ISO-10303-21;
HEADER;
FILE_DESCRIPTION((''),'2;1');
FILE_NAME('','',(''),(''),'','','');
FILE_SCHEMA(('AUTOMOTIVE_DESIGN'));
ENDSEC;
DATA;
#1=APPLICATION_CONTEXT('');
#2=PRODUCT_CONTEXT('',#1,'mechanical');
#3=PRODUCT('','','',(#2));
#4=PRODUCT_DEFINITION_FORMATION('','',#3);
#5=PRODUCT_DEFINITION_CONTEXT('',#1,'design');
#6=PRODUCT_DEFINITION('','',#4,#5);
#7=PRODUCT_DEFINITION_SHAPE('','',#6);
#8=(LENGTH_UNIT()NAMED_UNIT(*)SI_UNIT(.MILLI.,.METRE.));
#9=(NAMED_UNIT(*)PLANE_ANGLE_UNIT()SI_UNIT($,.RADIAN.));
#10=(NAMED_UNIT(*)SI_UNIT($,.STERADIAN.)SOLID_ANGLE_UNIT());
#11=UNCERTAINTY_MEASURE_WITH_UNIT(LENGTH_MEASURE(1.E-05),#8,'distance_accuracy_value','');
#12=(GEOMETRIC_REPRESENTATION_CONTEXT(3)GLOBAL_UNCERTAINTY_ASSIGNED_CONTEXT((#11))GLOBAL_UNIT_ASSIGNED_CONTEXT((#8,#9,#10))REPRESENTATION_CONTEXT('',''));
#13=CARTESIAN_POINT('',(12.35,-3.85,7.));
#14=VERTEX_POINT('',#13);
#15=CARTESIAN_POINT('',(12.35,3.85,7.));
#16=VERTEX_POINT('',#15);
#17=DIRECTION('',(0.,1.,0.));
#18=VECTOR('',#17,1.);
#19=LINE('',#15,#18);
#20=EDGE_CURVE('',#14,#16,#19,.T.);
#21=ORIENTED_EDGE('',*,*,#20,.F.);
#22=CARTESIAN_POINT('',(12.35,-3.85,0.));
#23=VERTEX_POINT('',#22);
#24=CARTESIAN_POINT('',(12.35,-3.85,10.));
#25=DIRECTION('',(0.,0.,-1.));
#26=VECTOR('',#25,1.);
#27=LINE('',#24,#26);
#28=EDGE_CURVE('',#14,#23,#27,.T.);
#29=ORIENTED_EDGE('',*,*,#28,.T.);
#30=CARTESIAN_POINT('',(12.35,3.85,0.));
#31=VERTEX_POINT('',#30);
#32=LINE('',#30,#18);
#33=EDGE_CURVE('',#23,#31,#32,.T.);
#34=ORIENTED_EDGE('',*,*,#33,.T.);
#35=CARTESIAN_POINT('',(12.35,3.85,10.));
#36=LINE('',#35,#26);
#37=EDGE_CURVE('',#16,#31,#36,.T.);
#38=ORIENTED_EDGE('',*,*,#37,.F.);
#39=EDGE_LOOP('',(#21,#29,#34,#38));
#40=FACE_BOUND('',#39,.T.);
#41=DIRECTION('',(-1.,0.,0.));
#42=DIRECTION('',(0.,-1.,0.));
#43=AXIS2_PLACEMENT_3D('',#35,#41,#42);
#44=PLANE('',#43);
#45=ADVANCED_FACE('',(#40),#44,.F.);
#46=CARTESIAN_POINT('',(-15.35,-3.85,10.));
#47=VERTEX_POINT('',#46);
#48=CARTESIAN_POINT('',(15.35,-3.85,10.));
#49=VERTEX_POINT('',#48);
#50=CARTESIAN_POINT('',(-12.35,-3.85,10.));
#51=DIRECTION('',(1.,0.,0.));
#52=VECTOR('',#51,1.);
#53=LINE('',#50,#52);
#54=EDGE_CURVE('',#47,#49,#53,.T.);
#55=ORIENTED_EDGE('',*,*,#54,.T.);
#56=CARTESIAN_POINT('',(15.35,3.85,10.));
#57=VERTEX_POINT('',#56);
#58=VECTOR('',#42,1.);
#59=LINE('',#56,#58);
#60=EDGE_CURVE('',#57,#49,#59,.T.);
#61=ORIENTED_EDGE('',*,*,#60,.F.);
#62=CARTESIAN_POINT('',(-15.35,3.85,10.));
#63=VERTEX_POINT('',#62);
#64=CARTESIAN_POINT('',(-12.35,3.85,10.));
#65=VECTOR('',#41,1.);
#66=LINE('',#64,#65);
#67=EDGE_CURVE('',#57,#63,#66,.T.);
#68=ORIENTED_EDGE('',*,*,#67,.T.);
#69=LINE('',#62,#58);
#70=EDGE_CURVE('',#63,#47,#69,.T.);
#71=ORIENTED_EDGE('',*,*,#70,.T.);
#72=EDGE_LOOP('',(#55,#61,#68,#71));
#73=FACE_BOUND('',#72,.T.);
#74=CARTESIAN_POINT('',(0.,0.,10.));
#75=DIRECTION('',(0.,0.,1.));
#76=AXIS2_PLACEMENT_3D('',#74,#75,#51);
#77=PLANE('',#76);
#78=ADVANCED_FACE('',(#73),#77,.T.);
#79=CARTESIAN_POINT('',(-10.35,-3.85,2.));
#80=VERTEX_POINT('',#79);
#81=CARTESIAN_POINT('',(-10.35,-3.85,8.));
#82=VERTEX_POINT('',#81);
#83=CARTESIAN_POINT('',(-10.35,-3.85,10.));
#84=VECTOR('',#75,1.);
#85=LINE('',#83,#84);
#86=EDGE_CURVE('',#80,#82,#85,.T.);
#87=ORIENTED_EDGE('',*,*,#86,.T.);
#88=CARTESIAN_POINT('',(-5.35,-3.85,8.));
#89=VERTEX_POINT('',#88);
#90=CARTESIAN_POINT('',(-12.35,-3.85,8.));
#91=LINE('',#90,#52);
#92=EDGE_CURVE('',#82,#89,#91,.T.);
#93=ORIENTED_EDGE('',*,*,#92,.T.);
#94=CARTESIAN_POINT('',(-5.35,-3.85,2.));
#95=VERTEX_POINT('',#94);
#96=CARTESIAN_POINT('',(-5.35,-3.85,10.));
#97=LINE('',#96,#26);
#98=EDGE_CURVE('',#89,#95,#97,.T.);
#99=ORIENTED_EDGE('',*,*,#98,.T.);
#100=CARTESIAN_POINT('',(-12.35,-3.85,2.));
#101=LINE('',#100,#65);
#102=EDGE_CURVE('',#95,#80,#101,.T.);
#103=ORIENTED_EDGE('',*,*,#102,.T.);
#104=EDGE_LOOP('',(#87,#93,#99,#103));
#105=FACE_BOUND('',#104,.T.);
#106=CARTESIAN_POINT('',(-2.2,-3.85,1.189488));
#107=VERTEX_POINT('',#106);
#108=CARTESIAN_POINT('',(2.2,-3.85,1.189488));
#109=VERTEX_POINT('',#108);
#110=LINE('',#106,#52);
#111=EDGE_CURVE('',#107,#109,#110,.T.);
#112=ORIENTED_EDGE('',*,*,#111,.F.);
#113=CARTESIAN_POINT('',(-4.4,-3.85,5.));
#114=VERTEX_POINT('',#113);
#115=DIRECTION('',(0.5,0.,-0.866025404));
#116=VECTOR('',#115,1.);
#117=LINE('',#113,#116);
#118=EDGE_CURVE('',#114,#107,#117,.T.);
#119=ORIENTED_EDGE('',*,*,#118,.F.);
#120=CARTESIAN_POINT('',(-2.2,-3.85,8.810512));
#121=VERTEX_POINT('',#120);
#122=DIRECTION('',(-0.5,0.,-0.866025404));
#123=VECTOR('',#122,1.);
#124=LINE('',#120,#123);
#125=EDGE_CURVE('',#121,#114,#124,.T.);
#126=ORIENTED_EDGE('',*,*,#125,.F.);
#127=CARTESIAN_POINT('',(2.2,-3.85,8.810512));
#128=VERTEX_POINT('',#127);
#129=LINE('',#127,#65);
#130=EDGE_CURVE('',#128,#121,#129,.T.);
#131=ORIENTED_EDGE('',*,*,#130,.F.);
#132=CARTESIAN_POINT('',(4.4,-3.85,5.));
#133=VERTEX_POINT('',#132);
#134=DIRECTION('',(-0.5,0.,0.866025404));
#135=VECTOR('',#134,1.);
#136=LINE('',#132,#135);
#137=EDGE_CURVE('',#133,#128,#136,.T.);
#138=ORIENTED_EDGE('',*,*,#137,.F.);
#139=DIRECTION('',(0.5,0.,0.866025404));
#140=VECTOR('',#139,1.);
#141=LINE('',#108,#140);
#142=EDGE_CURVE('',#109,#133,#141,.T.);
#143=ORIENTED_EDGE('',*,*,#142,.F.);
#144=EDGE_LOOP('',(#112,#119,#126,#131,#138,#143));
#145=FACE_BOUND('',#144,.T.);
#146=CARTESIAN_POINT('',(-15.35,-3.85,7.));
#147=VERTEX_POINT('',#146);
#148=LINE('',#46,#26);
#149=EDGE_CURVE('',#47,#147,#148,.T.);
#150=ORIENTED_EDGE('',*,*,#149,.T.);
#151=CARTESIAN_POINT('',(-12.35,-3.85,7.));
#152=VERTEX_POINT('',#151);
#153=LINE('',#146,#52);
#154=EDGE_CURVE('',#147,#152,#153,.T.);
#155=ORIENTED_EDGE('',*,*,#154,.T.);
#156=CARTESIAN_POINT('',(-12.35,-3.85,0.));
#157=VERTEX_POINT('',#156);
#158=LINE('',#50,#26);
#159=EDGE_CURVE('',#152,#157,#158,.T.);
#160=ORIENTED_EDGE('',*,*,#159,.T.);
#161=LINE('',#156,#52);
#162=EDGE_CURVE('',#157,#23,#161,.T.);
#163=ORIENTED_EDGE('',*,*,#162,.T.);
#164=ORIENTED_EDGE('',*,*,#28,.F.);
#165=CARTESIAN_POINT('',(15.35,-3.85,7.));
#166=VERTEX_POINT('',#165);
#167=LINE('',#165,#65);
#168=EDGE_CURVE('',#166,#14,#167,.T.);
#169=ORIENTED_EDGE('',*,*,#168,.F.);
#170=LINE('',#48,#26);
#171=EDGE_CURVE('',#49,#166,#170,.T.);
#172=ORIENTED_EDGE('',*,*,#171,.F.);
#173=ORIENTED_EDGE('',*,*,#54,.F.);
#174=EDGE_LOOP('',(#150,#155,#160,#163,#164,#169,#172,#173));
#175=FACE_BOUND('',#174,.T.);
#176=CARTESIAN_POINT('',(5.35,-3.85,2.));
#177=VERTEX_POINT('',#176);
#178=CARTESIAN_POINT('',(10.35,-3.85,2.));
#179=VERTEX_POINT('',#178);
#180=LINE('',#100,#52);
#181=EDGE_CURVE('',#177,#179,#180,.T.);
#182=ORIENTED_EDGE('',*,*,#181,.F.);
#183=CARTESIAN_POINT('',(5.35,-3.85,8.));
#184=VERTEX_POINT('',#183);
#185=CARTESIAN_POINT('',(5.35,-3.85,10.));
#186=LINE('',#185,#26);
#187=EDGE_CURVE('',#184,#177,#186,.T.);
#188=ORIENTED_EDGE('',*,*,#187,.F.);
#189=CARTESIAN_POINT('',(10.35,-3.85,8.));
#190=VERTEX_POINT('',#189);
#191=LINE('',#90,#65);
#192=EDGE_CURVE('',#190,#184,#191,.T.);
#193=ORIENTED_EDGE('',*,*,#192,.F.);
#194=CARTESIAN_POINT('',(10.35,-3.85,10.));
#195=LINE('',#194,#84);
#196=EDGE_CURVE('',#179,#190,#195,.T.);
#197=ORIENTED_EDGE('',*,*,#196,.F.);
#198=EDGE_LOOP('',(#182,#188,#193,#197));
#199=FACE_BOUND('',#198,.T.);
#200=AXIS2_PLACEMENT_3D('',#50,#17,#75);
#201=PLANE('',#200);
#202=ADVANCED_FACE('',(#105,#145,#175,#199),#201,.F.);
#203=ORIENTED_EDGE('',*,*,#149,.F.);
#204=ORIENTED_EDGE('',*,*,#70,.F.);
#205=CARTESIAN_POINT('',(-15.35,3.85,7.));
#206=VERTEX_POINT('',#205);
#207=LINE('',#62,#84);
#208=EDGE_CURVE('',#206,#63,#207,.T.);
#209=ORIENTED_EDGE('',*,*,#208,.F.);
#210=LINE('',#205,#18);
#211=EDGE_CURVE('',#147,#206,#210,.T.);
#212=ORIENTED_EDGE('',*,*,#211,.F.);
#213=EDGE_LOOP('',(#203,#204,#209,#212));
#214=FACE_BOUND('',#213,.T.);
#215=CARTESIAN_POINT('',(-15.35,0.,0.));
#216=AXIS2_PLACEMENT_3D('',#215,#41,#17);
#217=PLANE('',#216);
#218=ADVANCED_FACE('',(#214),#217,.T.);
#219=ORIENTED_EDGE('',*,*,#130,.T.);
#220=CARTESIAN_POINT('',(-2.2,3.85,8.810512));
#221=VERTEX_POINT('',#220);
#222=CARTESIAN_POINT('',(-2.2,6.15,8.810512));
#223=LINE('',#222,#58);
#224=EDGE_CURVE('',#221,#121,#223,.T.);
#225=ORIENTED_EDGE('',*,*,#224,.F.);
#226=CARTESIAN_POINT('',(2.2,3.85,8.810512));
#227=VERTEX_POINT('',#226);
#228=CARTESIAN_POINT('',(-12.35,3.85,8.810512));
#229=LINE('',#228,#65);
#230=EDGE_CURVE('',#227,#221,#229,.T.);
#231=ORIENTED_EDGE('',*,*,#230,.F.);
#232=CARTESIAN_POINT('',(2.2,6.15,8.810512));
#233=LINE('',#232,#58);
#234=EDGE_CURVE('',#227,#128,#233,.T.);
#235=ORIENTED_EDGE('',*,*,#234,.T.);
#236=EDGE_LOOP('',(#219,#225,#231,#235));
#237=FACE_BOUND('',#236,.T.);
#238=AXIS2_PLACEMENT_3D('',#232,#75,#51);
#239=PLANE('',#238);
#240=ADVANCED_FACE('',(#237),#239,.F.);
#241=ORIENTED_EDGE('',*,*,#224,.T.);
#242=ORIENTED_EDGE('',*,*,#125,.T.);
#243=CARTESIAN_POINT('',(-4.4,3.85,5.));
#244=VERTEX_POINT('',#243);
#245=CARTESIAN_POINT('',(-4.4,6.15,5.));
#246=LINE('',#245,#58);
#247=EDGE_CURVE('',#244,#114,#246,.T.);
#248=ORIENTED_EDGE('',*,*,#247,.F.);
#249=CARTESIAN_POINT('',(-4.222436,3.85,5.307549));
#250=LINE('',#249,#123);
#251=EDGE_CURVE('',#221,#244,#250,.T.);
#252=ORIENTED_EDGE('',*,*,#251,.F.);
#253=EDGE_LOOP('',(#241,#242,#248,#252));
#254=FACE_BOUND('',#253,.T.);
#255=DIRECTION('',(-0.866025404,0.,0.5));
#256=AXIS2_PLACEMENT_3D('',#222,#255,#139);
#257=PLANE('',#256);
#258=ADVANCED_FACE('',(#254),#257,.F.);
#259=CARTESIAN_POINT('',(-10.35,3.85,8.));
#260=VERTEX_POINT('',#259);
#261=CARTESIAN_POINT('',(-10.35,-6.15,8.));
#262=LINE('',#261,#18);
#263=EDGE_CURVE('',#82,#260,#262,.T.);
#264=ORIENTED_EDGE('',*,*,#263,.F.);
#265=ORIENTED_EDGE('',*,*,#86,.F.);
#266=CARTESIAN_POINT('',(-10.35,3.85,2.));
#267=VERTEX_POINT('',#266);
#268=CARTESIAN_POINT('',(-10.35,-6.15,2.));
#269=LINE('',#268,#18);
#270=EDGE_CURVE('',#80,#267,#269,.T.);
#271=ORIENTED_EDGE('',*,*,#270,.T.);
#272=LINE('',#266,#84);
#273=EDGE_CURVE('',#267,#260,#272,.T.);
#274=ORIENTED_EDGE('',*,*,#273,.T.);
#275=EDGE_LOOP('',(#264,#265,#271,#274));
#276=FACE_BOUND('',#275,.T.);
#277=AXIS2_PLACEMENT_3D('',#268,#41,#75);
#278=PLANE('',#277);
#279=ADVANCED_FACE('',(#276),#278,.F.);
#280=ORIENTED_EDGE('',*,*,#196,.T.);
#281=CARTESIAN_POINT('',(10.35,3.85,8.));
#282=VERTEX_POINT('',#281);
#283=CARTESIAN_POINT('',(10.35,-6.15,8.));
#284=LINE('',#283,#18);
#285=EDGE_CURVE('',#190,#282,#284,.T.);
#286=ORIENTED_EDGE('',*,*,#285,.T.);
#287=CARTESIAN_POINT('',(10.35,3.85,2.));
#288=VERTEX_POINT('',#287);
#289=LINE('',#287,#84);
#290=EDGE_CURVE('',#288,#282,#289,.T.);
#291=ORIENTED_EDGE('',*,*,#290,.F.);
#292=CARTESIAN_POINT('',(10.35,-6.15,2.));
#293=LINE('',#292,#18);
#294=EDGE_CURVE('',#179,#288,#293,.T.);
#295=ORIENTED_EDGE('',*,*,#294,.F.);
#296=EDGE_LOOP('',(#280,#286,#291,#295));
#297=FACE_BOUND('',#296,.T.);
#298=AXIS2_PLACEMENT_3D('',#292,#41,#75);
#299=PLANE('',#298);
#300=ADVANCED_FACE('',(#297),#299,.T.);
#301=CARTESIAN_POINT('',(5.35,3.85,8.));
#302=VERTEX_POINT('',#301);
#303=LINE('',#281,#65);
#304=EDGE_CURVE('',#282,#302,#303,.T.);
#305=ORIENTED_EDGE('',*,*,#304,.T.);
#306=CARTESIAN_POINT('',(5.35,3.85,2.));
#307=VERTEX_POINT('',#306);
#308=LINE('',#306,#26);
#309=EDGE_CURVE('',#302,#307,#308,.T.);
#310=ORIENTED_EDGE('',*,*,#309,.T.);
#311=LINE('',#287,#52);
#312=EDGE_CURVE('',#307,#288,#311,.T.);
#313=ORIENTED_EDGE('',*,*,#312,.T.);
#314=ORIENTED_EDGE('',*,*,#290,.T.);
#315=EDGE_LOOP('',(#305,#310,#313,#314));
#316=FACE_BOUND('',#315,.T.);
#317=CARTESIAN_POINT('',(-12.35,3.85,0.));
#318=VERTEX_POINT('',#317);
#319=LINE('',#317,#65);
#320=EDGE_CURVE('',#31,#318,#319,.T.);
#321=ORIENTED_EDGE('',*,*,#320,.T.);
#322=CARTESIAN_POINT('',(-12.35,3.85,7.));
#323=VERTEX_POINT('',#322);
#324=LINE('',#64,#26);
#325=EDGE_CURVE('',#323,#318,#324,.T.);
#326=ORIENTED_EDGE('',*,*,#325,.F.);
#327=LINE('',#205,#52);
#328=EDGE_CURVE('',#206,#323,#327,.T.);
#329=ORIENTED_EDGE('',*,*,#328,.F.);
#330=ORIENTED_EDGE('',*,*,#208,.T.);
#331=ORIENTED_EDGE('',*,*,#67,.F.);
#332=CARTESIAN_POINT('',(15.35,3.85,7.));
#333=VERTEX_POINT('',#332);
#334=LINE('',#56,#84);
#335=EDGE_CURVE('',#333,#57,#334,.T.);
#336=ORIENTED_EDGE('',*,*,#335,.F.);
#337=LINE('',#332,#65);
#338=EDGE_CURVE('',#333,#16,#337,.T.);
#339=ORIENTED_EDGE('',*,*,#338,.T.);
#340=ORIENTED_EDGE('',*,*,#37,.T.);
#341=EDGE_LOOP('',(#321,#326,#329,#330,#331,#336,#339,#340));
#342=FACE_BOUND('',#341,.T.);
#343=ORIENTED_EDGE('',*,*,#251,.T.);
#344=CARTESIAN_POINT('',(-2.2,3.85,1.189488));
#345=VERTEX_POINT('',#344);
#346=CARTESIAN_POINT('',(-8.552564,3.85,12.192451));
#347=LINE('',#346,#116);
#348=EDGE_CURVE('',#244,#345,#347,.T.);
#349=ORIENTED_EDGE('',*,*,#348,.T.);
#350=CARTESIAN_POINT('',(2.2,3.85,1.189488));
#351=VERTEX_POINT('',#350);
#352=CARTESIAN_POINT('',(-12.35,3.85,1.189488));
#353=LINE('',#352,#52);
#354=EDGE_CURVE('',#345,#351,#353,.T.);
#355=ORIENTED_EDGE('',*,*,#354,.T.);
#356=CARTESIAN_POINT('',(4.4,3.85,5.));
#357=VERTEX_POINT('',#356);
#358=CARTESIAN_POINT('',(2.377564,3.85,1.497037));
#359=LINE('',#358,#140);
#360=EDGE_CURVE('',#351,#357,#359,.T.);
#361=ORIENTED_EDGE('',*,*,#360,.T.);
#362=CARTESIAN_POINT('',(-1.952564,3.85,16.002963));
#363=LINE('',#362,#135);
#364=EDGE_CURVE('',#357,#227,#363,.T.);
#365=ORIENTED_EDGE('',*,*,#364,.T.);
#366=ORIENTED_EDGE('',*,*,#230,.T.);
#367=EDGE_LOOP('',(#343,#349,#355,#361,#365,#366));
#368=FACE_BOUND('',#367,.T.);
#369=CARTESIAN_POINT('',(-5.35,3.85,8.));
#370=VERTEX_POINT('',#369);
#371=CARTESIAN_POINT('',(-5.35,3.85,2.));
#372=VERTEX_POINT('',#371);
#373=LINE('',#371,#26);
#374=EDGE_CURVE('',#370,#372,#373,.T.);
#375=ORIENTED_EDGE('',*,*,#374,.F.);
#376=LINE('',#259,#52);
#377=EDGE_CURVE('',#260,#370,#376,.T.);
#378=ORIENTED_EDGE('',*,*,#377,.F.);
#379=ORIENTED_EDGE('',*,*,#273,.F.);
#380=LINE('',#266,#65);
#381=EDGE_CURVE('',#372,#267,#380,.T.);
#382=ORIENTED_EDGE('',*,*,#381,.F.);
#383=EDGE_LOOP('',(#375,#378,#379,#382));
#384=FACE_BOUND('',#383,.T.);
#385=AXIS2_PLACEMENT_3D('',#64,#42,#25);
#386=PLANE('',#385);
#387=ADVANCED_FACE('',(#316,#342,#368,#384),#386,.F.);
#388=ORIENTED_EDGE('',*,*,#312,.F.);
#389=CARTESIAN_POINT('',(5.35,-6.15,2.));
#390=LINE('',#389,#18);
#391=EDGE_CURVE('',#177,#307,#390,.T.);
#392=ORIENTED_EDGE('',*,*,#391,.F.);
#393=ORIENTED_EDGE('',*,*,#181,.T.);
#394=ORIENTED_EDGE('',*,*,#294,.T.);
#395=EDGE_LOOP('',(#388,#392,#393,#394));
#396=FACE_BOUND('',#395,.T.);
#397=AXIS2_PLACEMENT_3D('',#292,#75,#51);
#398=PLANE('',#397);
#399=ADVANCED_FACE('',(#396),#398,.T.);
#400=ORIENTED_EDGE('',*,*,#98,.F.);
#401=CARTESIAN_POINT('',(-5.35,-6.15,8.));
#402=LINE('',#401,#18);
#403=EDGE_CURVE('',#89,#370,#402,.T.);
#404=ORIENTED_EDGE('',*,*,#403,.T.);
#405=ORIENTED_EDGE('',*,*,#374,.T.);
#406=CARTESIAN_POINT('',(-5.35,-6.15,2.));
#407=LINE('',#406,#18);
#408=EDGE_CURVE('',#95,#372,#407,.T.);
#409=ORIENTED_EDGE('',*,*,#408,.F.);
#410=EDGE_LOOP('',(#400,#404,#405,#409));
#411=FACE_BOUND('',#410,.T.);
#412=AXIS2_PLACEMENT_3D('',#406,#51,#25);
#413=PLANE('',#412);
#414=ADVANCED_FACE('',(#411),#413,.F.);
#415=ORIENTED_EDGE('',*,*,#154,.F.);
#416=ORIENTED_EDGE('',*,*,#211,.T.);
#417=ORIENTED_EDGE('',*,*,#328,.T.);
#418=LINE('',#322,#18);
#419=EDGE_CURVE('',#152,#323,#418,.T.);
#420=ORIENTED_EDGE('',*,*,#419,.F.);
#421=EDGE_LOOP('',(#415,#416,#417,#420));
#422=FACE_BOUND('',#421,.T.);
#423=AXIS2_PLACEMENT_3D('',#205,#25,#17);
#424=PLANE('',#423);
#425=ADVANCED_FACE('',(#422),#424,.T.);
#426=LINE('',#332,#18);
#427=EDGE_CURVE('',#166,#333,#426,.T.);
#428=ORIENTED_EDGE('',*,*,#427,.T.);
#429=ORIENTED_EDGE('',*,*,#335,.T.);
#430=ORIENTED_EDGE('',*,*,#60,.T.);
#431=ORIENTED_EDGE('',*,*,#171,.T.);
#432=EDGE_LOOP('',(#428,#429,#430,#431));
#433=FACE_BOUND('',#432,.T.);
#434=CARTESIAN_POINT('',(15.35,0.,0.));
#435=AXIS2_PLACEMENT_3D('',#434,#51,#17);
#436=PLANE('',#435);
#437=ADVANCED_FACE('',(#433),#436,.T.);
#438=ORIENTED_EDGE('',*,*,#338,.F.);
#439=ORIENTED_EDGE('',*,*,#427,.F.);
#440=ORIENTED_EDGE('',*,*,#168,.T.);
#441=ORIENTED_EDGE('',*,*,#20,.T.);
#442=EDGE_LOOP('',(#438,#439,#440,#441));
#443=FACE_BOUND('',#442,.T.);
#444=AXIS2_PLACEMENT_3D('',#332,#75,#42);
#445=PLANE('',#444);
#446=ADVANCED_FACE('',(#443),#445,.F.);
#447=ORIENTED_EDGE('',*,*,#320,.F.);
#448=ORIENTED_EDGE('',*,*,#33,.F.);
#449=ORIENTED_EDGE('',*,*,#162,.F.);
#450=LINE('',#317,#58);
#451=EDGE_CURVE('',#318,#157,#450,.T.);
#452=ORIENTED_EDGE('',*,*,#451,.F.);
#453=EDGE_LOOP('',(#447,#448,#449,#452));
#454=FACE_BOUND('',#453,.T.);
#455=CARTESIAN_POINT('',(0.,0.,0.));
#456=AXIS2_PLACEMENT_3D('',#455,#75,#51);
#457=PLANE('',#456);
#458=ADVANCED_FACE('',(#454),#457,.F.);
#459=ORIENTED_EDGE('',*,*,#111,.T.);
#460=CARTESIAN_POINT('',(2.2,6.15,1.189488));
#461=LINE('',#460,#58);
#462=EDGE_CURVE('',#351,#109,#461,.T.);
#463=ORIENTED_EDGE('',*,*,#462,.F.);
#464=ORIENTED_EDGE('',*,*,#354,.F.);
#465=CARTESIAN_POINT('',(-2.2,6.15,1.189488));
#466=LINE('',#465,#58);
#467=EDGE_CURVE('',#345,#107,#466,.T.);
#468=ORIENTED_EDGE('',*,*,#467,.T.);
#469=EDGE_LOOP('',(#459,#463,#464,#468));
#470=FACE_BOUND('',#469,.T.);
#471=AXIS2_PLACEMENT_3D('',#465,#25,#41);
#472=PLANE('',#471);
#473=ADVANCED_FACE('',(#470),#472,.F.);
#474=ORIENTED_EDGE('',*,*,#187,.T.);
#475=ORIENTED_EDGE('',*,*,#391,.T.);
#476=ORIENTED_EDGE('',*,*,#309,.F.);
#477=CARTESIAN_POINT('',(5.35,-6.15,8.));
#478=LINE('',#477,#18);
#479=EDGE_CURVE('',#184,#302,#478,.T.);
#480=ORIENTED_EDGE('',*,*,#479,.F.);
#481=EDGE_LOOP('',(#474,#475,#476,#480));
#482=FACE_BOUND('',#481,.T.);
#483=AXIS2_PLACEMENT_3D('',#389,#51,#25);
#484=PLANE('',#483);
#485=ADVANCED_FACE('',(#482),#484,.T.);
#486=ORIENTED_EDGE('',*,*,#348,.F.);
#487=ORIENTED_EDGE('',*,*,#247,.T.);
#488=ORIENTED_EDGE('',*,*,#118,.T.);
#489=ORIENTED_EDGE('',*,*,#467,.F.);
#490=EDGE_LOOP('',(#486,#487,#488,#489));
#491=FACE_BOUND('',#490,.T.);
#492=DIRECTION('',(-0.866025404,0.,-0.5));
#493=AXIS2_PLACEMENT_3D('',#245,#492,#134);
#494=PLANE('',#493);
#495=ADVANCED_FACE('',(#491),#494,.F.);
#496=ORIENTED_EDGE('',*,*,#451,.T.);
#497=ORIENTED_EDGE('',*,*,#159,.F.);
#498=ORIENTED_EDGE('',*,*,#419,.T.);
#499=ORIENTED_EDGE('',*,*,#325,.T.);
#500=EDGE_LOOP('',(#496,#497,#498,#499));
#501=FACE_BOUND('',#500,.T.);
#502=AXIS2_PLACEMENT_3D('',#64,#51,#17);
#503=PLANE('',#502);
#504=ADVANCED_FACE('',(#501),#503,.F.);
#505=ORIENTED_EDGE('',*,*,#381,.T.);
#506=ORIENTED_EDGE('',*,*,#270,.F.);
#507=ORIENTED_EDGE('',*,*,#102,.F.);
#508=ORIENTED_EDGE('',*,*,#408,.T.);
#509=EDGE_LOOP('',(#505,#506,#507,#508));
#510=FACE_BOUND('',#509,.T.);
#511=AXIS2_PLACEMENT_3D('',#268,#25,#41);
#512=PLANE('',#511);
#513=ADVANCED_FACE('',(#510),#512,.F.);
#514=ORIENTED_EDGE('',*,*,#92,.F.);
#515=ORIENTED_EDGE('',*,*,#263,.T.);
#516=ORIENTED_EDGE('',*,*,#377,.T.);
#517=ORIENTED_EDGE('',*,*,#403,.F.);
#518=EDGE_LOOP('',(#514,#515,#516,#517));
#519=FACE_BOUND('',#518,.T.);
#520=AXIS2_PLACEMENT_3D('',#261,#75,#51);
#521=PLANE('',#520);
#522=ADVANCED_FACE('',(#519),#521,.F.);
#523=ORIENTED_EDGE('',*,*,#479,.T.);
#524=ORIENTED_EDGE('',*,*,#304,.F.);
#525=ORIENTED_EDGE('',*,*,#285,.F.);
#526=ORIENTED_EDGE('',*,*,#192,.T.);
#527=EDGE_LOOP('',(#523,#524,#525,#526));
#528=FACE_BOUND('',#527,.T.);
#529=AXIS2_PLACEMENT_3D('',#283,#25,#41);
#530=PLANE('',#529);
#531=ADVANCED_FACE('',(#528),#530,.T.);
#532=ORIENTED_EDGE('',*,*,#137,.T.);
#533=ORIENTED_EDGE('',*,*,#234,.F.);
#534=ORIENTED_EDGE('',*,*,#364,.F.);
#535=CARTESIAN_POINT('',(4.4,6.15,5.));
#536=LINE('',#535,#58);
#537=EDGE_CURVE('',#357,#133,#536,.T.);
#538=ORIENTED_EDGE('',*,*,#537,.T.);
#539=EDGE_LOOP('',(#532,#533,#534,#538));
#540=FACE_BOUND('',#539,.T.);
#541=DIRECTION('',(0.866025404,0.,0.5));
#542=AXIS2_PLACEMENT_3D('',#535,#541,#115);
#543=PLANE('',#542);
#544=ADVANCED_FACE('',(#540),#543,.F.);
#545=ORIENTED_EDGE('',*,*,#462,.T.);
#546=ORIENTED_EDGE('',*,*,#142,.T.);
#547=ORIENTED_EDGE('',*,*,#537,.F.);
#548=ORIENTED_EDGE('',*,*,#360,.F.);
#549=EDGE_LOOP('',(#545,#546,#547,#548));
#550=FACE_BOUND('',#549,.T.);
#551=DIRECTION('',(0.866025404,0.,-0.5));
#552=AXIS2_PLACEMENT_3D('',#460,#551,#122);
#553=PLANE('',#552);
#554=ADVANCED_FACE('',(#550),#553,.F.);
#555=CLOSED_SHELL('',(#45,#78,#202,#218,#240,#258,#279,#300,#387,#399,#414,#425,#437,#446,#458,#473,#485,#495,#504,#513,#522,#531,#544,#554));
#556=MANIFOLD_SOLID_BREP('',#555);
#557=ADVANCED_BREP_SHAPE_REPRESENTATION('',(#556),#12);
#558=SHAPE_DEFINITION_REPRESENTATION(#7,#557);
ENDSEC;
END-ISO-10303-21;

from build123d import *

# Parameters (mm, degrees)
SKETCH1_W           = 24.7
SKETCH1_H           = 7.7
BOSS_EXTRUDE1_DEPTH = 10
CUT_EXTRUDE1_DEPTH  = 10
SKETCH3_W           = 5
SKETCH3_H           = 6
CUT_EXTRUDE2_DEPTH  = 10
SKETCH4_W           = 3
SKETCH4_H           = 7.7
BOSS_EXTRUDE2_DEPTH = 3


with BuildPart() as part:
    # Sketch1 → Boss-Extrude1 (new body)
    with BuildSketch(Plane.XY):
        Rectangle(SKETCH1_W, SKETCH1_H)
    extrude(amount=BOSS_EXTRUDE1_DEPTH)

    # Sketch2 → Cut-Extrude1 (cut)
    with BuildSketch(Plane.XZ.offset(3.85)):
        Polygon((4.4, 5), (2.2, 8.810511777), (-2.2, 8.810511777), (-4.4, 5), (-2.2, 1.189488223), (2.2, 1.189488223), align=None)
    extrude(amount=-CUT_EXTRUDE1_DEPTH, mode=Mode.SUBTRACT)

    # Sketch3 → Cut-Extrude2 (cut)
    with BuildSketch(Plane(origin=(0, 3.85, 0), x_dir=(1, 0, 0), z_dir=(0, 1, 0))):
        with Locations((-7.85, -5)):
            Rectangle(SKETCH3_W, SKETCH3_H)
    cut_extrude2 = extrude(amount=-CUT_EXTRUDE2_DEPTH, mode=Mode.SUBTRACT)

    # Mirror1: Cut-Extrude2 across plane
    add(cut_extrude2.mirror(Plane(origin=(0, 0, 0), x_dir=(0, 0, 1), z_dir=(1, 0, 0))), mode=Mode.SUBTRACT)

    # Sketch4 → Boss-Extrude2 (add)
    with BuildSketch(Plane(origin=(12.35, 0, 0), x_dir=(0, 0, -1), z_dir=(1, 0, 0))):
        with Locations((-8.5, 0)):
            Rectangle(SKETCH4_W, SKETCH4_H)
    boss_extrude2 = extrude(amount=BOSS_EXTRUDE2_DEPTH)

    # Mirror2: Boss-Extrude2 across plane
    add(boss_extrude2.mirror(Plane(origin=(0, 0, 0), x_dir=(0, 0, 1), z_dir=(1, 0, 0))))


solid = part.part
